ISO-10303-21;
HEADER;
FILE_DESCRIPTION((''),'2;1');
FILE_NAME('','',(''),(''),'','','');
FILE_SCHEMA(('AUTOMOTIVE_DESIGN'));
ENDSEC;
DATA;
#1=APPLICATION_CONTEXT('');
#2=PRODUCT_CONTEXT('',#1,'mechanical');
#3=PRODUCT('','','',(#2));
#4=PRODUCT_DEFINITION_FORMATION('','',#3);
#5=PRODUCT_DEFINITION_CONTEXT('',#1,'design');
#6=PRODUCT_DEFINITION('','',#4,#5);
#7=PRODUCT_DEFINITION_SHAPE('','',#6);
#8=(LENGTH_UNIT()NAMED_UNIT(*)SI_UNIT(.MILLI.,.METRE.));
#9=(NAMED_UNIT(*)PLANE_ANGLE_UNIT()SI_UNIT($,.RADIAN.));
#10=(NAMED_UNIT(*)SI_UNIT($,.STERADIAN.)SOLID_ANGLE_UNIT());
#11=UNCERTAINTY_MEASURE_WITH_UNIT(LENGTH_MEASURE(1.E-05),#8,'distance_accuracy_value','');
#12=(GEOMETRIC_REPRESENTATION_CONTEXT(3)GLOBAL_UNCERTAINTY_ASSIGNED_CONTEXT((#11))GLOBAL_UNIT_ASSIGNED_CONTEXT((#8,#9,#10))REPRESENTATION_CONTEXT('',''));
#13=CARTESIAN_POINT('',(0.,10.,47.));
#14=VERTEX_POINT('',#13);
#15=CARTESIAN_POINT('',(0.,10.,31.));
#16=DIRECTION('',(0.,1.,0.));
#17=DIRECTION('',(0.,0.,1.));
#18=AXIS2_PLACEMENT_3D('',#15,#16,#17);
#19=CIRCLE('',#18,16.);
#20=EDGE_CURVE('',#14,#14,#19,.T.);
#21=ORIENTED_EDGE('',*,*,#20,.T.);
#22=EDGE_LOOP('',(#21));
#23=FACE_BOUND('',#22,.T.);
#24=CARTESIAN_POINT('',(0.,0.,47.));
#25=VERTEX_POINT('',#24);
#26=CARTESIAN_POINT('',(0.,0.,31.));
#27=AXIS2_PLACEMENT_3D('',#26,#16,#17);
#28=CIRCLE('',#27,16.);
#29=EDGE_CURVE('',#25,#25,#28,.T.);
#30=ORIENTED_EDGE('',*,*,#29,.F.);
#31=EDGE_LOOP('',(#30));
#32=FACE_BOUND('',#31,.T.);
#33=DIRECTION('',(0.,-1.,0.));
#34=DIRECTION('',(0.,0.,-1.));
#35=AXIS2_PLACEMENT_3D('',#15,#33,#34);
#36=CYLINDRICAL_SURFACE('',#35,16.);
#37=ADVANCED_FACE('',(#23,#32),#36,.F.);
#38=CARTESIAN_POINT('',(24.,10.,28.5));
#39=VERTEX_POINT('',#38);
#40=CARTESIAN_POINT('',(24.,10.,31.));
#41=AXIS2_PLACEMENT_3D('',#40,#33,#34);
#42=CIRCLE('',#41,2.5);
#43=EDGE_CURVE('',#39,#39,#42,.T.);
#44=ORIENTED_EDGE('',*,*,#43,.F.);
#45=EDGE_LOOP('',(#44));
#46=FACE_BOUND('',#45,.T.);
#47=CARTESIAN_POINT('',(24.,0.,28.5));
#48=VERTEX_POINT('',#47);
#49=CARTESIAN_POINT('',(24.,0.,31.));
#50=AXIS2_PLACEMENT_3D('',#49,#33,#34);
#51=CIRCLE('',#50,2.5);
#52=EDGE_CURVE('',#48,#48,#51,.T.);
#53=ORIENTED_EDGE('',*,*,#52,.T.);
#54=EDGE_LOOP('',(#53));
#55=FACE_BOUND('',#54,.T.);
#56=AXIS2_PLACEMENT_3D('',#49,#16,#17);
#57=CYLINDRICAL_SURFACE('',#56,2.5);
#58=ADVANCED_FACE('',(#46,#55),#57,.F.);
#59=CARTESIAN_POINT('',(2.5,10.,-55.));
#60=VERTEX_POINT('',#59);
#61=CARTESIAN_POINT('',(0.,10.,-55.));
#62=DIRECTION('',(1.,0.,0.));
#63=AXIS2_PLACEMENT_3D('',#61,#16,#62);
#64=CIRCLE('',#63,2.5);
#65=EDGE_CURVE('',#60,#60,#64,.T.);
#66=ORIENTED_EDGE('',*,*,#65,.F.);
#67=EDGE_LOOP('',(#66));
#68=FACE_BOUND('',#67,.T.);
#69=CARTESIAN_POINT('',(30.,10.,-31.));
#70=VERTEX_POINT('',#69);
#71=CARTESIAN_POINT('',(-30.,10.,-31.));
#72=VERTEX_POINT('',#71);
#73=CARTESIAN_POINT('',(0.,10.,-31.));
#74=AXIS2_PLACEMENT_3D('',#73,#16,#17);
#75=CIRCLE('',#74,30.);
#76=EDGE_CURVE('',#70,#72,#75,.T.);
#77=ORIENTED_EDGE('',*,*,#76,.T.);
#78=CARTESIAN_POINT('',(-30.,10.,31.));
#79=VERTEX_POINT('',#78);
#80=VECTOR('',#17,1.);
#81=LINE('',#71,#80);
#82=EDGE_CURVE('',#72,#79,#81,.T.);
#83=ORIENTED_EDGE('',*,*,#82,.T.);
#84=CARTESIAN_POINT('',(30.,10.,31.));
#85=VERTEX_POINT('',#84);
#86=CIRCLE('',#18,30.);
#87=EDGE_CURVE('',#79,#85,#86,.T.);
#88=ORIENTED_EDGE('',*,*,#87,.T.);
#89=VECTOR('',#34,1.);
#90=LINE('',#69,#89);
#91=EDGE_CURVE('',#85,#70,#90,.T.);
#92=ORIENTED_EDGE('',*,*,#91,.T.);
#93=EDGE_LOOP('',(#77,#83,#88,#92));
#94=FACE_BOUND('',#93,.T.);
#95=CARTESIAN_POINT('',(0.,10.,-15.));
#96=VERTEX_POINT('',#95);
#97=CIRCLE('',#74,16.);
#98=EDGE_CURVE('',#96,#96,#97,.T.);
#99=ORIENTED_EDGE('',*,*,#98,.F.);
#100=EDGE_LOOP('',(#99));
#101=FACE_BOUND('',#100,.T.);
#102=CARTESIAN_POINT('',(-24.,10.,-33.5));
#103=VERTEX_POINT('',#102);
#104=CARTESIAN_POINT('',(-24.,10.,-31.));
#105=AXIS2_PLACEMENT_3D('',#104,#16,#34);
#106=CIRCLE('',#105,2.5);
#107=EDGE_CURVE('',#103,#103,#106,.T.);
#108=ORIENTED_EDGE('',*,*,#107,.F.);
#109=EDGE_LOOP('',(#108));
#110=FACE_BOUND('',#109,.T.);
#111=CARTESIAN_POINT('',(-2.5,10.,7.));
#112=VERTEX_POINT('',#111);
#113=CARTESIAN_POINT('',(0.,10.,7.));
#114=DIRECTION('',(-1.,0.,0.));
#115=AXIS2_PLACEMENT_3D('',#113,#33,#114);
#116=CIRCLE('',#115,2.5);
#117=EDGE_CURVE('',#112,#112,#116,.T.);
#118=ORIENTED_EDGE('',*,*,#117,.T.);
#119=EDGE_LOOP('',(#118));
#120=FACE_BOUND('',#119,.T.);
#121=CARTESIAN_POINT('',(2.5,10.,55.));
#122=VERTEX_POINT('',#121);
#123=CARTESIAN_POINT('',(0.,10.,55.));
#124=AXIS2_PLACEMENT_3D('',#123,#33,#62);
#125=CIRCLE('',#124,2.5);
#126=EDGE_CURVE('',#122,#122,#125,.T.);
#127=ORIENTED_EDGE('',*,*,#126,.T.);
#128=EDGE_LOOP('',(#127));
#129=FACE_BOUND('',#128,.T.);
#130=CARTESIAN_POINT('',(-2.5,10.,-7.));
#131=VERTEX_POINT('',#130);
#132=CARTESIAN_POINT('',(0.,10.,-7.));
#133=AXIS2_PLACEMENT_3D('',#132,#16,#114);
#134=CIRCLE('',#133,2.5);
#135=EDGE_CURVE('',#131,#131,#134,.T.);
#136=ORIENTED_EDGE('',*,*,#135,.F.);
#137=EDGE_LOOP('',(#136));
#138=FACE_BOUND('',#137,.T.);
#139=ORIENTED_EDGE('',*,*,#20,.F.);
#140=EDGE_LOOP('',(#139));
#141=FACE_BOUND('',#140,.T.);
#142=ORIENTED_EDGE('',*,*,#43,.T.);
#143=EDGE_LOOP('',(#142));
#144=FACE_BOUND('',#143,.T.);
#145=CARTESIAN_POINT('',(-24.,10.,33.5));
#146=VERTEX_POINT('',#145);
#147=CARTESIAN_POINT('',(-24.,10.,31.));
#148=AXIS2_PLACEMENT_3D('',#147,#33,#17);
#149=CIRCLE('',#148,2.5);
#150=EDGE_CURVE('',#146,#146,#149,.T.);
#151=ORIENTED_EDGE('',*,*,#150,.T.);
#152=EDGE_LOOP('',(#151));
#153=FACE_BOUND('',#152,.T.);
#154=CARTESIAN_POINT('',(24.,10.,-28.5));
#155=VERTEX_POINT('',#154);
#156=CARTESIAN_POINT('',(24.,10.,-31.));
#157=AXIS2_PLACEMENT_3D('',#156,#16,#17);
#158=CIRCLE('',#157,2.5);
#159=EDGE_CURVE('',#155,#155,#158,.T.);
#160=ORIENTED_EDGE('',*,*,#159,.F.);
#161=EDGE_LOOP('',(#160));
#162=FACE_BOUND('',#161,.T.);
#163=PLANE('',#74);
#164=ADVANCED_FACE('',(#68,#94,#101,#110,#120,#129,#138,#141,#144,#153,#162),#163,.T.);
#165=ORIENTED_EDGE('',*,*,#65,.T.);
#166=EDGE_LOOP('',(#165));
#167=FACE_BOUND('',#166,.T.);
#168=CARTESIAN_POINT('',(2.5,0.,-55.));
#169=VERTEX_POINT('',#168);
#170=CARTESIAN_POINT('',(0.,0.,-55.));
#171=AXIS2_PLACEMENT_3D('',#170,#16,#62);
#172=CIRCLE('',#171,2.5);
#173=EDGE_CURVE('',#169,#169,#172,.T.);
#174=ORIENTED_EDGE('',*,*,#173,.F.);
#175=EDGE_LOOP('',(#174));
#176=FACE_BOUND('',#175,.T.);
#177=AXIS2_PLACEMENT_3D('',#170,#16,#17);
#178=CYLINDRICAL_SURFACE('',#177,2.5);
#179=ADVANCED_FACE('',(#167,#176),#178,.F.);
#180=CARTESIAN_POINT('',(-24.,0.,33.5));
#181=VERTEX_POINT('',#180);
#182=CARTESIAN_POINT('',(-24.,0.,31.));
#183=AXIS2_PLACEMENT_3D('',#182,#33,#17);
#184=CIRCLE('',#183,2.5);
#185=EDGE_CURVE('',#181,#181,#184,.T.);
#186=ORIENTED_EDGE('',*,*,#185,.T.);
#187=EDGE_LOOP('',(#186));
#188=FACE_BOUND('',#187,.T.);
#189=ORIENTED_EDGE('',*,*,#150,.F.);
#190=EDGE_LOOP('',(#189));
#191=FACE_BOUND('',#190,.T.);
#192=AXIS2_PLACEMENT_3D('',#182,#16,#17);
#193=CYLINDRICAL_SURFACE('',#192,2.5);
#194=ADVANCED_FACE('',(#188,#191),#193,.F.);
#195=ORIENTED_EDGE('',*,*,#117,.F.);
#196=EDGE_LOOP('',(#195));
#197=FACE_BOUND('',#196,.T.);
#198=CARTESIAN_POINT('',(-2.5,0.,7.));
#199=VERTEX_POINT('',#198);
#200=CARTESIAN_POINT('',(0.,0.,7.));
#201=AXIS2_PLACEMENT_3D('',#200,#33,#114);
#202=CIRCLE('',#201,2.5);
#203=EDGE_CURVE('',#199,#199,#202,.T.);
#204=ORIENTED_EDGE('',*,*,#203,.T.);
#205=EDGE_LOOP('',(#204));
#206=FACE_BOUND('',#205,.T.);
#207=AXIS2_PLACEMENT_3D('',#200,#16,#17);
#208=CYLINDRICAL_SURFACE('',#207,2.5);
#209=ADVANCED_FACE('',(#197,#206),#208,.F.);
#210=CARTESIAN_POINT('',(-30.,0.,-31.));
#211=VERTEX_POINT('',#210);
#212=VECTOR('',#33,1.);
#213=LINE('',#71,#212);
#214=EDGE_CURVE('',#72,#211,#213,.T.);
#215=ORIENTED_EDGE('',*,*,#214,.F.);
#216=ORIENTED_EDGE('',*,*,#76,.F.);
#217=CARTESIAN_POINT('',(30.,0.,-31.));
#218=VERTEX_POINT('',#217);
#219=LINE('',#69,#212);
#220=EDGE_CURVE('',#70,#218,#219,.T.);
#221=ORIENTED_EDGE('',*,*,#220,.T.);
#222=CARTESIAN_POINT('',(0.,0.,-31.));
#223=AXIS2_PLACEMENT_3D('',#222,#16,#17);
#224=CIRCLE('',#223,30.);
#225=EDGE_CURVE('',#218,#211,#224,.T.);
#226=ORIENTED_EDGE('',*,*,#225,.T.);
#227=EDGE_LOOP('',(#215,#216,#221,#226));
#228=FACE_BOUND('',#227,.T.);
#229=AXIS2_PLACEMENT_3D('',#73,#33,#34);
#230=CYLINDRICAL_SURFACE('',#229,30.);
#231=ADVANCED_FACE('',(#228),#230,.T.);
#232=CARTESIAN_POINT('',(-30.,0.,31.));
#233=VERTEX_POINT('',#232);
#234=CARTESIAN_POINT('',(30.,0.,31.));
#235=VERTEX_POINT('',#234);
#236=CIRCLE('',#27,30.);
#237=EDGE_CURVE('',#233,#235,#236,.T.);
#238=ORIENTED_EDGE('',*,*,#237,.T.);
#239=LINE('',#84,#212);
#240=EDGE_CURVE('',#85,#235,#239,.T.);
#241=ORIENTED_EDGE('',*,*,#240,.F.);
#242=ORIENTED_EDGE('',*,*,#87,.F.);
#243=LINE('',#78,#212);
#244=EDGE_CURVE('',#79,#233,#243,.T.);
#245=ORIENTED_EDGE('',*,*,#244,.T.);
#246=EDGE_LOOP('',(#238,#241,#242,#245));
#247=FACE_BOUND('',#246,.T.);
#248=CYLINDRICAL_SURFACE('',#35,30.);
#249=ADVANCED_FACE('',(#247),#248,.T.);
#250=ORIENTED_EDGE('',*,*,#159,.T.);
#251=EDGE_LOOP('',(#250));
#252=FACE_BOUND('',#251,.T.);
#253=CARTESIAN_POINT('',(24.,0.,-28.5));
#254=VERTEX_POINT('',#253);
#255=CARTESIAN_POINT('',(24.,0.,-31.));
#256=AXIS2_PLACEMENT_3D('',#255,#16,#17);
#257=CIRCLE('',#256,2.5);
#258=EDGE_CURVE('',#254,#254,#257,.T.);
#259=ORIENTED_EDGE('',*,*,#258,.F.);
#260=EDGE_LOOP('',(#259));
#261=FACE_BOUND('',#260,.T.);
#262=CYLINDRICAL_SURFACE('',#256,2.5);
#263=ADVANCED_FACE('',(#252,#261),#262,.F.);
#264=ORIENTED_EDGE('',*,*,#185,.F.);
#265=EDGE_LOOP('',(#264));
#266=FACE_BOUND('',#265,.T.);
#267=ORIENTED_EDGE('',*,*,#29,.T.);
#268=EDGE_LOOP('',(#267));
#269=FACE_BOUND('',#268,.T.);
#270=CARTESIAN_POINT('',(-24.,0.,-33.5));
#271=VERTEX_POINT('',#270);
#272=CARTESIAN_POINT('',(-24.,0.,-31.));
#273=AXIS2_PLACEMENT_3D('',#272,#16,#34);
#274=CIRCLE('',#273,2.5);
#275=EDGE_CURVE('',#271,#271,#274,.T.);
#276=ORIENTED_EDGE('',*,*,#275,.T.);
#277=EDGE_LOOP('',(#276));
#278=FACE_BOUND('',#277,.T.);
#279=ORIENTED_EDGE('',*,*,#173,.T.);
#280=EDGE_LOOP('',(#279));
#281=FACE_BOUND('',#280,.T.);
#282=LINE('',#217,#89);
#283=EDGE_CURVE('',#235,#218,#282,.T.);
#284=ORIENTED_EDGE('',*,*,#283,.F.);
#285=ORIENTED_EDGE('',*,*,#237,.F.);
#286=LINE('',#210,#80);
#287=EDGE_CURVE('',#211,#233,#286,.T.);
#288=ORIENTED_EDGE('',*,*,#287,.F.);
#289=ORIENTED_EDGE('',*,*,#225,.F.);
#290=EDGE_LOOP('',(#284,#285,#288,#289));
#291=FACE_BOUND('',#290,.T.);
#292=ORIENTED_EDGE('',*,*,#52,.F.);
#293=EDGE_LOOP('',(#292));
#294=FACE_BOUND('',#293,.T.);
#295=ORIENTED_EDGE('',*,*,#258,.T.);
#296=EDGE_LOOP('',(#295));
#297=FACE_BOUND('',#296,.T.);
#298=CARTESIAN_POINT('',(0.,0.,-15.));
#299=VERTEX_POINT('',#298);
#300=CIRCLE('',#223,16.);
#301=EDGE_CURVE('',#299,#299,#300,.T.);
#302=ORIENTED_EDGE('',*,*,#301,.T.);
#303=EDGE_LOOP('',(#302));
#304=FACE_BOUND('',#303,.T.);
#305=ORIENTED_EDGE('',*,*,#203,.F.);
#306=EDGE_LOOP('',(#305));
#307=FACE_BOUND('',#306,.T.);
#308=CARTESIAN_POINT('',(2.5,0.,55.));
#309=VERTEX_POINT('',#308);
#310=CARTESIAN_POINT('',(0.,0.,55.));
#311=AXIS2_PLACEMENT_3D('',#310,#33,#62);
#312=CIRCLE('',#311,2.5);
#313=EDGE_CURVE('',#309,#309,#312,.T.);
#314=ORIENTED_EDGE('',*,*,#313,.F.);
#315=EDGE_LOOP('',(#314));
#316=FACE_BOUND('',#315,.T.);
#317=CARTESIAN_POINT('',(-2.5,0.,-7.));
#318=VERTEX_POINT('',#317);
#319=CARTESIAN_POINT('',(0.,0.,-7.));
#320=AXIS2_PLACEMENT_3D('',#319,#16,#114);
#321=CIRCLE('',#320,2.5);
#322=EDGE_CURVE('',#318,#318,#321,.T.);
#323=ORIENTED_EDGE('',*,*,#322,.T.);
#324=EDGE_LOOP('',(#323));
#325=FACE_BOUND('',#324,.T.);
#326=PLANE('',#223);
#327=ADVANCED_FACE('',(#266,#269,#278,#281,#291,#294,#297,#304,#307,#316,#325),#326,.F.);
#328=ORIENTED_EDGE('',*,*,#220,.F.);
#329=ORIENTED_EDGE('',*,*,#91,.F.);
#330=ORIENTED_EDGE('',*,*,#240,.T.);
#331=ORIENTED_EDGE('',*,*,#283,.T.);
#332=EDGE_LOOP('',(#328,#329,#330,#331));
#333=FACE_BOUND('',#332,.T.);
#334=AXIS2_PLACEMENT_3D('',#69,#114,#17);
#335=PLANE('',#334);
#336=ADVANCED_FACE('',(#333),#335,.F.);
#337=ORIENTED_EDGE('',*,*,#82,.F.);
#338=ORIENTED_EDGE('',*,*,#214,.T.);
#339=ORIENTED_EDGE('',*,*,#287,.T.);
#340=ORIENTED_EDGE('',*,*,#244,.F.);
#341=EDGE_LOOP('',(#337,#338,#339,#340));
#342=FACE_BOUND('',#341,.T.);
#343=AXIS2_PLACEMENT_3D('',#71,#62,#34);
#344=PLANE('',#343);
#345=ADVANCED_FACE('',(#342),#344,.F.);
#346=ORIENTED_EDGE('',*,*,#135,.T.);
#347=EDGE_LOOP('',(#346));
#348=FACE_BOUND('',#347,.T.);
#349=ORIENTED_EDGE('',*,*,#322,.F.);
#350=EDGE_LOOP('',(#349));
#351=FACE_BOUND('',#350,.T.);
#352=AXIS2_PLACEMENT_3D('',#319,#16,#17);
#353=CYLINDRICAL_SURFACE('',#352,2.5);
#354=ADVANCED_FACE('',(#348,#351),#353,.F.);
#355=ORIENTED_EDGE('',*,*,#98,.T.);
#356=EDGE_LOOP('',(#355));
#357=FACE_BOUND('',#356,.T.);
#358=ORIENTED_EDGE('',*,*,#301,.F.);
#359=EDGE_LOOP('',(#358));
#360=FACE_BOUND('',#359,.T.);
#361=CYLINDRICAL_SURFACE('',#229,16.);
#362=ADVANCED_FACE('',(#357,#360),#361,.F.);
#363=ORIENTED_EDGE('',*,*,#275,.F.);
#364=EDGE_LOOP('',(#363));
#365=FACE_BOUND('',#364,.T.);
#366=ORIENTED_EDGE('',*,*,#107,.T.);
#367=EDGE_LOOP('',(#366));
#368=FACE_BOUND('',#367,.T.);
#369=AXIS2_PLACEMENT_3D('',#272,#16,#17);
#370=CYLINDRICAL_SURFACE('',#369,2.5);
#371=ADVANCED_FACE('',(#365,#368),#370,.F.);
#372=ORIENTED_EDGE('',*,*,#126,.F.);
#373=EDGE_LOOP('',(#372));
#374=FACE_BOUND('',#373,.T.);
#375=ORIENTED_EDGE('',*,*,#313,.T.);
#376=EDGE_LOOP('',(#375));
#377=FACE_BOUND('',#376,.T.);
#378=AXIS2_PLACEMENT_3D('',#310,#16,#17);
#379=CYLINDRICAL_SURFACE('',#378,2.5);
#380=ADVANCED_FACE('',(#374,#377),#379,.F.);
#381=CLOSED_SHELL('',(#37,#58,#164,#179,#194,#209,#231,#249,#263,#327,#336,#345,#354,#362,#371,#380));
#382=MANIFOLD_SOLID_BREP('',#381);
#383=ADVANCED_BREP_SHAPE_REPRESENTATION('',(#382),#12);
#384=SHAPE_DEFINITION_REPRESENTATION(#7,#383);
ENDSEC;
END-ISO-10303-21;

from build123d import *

# Parameters (mm, degrees)
CROQUIS1_R              = 16
SALIENTE_EXTRUIR1_DEPTH = 10
SKETCH1_R               = 2.5
CUT_EXTRUDE1_DEPTH      = 69.709533545
CIRPATTERN1_COUNT       = 4
MIRROR1_COPY_1_SKETCH_R = 2.5
MIRROR1_COPY_1_DEPTH    = 69.709533545
MIRROR1_COPY_2_SKETCH_R = 2.5
MIRROR1_COPY_2_DEPTH    = 69.709533545
MIRROR1_COPY_3_SKETCH_R = 2.5
MIRROR1_COPY_3_DEPTH    = 69.709533545


with BuildPart() as part:
    # Croquis1 → Saliente-Extruir1 (new body)
    with BuildSketch(Plane(origin=(0, 0, 0), x_dir=(1, 0, 0), z_dir=(0, 1, 0))):
        with BuildLine():
            Line((30, 31), (30, -31))
            ThreePointArc((30, -31), (0, -61), (-30, -31))
            Line((-30, -31), (-30, 31))
            ThreePointArc((-30, 31), (0, 61), (30, 31))
        make_face()
        with Locations(Location((0, -31, 0), (0, 0, 270))):
            Circle(CROQUIS1_R, mode=Mode.SUBTRACT)
        with Locations(Location((0, 31, 0), (0, 0, 270))):
            Circle(CROQUIS1_R, mode=Mode.SUBTRACT)
    extrude(amount=SALIENTE_EXTRUIR1_DEPTH)

    # Sketch1 → Cut-Extrude1 (cut, through all)
    with BuildSketch(Plane(origin=(0, 10, 0), x_dir=(1, 0, 0), z_dir=(0, 1, 0))):
        with Locations(Location((24, 31, 0), (0, 0, 270))):
            Circle(SKETCH1_R)
    cut_extrude1 = extrude(amount=-CUT_EXTRUDE1_DEPTH, mode=Mode.SUBTRACT)

    # CirPattern1: Cut-Extrude1 ×4 about axis
    cirpattern1_axis = Axis((0, 0, -31), (0, 1, 0))
    for i in range(1, CIRPATTERN1_COUNT):
        add(cut_extrude1.rotate(cirpattern1_axis, i * 360 / CIRPATTERN1_COUNT), mode=Mode.SUBTRACT)

    # Mirror1: Cut-Extrude1 across plane
    add(cut_extrude1.mirror(Plane.XY), mode=Mode.SUBTRACT)

    # Mirror1 copy 1 sketch → Mirror1 copy 1 (cut, through all)
    with BuildSketch(Plane(origin=(31, 10, 31), x_dir=(0, 0, 1), z_dir=(0, 1, 0))):
        with Locations((24, -31)):
            Circle(MIRROR1_COPY_1_SKETCH_R)
    extrude(amount=-MIRROR1_COPY_1_DEPTH, mode=Mode.SUBTRACT)

    # Mirror1 copy 2 sketch → Mirror1 copy 2 (cut, through all)
    with BuildSketch(Plane(origin=(0, 10, 62), x_dir=(-1, 0, 0), z_dir=(0, 1, 0))):
        with Locations((24, -31)):
            Circle(MIRROR1_COPY_2_SKETCH_R)
    extrude(amount=-MIRROR1_COPY_2_DEPTH, mode=Mode.SUBTRACT)

    # Mirror1 copy 3 sketch → Mirror1 copy 3 (cut, through all)
    with BuildSketch(Plane(origin=(-31, 10, 31), x_dir=(0, 0, -1), z_dir=(0, 1, 0))):
        with Locations((24, -31)):
            Circle(MIRROR1_COPY_3_SKETCH_R)
    extrude(amount=-MIRROR1_COPY_3_DEPTH, mode=Mode.SUBTRACT)


solid = part.part
